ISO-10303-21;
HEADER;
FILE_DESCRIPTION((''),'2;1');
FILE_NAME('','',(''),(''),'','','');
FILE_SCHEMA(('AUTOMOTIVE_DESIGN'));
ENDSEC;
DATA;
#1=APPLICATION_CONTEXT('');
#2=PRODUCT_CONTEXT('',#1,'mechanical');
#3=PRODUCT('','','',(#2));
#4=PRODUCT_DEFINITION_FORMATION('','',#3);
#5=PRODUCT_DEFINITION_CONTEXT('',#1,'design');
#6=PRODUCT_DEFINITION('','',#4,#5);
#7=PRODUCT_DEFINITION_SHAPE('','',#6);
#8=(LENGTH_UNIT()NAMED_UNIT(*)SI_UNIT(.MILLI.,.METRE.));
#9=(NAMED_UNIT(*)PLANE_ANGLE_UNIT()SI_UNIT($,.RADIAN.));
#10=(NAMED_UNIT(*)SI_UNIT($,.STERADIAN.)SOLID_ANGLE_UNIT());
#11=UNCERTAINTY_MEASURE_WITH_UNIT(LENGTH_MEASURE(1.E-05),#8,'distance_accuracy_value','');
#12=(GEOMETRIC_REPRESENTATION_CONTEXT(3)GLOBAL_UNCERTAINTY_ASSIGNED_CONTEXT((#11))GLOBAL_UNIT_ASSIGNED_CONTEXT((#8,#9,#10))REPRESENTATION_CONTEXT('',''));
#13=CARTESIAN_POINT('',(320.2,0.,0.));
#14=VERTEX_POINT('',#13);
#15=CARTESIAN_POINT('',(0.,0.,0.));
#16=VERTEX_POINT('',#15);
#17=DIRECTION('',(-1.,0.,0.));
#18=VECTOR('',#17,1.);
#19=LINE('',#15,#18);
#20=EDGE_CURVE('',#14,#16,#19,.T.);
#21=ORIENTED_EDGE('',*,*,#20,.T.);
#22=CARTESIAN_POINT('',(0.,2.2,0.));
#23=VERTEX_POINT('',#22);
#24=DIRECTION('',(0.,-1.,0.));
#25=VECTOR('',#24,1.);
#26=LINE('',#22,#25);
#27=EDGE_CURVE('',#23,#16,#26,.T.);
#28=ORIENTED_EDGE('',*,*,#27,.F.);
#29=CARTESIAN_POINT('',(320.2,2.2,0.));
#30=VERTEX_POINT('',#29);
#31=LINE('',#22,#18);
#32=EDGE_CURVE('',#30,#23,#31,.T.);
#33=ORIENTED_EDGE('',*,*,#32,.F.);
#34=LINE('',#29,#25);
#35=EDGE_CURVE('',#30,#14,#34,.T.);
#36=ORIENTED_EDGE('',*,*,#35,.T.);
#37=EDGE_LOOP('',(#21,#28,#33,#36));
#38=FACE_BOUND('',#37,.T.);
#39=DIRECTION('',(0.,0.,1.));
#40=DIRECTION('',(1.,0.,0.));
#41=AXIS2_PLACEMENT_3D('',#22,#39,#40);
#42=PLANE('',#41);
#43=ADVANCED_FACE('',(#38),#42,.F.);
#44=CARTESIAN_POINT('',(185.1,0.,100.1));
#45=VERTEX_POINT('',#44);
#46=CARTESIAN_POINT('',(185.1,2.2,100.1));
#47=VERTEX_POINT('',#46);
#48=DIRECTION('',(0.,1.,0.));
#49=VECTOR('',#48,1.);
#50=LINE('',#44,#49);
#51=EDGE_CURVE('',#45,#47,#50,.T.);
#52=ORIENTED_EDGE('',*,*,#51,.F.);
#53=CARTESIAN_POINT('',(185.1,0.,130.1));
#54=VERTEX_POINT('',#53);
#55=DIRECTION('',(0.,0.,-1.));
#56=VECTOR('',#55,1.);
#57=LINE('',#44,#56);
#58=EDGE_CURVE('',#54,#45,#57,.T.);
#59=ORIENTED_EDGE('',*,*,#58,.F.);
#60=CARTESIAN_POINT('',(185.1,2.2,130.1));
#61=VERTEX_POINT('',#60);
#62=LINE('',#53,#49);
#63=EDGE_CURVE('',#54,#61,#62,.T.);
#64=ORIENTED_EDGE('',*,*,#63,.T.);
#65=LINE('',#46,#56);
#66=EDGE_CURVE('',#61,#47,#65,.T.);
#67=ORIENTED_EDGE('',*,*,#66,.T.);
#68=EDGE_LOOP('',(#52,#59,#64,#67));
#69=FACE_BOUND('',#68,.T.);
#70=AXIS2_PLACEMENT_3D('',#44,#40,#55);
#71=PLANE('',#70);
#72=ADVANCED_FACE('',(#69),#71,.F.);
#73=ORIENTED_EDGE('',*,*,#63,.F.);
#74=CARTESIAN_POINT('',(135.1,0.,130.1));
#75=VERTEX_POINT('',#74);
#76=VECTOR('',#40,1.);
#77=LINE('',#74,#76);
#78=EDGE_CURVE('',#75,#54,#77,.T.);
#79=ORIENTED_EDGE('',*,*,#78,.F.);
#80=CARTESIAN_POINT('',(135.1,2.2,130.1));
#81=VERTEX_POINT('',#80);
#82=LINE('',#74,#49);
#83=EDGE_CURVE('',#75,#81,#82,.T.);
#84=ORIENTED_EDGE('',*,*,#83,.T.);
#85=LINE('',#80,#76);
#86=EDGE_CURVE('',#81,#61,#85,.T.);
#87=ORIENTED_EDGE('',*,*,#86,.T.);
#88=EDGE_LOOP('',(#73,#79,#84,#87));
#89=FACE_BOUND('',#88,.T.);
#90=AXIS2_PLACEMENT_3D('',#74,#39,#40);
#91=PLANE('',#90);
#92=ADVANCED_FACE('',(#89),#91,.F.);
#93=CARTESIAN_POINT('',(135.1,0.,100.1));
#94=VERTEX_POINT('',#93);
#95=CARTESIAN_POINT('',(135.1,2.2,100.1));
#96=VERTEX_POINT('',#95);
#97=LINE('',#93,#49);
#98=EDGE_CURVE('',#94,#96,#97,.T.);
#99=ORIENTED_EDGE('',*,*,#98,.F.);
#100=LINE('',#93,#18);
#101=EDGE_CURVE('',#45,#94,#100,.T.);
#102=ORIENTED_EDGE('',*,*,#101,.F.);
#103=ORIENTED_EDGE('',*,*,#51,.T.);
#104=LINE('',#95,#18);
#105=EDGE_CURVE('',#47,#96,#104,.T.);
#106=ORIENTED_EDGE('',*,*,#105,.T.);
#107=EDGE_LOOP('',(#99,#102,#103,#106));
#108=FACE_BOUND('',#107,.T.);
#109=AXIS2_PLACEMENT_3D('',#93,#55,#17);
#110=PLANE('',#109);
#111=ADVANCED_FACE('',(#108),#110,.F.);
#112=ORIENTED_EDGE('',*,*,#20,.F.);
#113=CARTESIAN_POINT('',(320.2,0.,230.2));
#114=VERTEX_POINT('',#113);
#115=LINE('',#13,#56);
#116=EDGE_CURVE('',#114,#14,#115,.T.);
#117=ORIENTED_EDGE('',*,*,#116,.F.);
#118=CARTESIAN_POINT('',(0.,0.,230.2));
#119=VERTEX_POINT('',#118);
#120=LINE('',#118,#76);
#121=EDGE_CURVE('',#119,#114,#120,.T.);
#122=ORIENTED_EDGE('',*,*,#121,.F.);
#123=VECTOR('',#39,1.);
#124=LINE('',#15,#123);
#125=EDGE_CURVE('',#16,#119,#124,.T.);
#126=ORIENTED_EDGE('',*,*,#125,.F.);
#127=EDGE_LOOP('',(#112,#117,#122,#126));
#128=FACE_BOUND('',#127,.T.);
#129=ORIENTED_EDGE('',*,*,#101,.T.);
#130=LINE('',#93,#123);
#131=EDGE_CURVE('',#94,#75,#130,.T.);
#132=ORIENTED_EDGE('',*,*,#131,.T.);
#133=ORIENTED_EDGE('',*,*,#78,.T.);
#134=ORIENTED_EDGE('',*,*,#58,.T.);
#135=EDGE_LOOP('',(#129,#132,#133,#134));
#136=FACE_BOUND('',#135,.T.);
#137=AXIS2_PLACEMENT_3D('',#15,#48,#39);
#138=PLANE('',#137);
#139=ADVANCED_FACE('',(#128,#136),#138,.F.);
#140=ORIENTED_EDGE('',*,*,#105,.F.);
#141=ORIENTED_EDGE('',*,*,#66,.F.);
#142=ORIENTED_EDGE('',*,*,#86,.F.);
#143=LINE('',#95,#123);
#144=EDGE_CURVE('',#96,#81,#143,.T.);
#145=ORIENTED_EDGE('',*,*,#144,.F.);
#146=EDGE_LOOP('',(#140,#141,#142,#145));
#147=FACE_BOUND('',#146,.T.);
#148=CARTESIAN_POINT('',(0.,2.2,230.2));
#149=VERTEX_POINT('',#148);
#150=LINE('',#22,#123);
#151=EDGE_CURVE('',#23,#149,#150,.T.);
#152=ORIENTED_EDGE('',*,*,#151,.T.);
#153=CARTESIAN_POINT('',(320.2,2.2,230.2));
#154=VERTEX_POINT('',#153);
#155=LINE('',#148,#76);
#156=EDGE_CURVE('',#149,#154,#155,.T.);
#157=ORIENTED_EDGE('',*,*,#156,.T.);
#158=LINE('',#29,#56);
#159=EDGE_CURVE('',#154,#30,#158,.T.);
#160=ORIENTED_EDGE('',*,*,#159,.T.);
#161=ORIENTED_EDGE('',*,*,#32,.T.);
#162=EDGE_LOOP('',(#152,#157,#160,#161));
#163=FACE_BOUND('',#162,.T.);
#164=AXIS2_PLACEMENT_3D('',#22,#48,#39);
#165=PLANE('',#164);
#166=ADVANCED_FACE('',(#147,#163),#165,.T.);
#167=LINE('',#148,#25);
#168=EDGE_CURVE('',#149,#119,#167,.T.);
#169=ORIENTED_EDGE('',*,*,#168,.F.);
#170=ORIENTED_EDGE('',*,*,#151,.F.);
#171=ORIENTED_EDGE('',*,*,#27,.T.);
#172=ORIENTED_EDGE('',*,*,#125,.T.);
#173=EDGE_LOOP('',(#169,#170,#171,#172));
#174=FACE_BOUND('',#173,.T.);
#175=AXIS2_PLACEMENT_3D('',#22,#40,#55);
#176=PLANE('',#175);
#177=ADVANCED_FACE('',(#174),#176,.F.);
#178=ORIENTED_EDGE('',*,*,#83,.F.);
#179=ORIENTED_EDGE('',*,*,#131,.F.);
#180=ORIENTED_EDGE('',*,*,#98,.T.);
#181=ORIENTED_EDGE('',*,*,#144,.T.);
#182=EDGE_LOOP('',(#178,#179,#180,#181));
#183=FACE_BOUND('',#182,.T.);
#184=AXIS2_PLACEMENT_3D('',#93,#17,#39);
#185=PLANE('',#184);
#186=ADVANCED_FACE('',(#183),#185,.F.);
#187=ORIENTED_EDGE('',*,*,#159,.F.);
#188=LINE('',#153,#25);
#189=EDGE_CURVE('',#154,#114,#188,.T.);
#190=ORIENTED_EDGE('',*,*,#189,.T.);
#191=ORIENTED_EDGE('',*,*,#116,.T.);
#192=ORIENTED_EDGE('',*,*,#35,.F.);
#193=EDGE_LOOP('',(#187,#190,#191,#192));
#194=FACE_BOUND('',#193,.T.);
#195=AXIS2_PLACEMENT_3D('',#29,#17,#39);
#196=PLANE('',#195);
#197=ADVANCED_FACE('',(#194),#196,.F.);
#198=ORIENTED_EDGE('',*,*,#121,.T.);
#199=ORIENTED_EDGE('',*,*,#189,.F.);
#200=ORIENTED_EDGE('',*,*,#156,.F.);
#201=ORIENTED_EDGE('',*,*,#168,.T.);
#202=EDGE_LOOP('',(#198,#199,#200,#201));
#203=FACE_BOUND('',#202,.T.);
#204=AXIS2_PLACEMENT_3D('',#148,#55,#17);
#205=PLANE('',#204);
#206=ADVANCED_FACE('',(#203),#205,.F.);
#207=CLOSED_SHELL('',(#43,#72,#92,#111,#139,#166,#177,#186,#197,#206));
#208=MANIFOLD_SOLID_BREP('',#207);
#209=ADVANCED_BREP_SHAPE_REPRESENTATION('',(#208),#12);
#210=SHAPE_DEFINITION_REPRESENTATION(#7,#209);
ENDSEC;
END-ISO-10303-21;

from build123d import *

# Parameters (mm, degrees)
SKETCH_1_W          = 320.2
SKETCH_1_H          = 230.2
EXTRUDE_1_DEPTH     = 2.2
SKETCH_2_W          = 50
SKETCH_2_H          = 30
CUT_EXTRUDE_1_DEPTH = 395.366479306


with BuildPart() as part:
    # 草图1 → 凸台-拉伸1 (new body)
    with BuildSketch(Plane(origin=(0, 0, 0), x_dir=(1, 0, 0), z_dir=(0, 1, 0))):
        with Locations((160.1, -115.1)):
            Rectangle(SKETCH_1_W, SKETCH_1_H)
    extrude(amount=EXTRUDE_1_DEPTH)

    # 草图2 → 切除-拉伸1 (cut, through all)
    with BuildSketch(Plane(origin=(0, 2.2, 0), x_dir=(1, 0, 0), z_dir=(0, 1, 0))):
        with Locations((160.1, -115.1)):
            Rectangle(SKETCH_2_W, SKETCH_2_H)
    extrude(amount=-CUT_EXTRUDE_1_DEPTH, mode=Mode.SUBTRACT)


solid = part.part
